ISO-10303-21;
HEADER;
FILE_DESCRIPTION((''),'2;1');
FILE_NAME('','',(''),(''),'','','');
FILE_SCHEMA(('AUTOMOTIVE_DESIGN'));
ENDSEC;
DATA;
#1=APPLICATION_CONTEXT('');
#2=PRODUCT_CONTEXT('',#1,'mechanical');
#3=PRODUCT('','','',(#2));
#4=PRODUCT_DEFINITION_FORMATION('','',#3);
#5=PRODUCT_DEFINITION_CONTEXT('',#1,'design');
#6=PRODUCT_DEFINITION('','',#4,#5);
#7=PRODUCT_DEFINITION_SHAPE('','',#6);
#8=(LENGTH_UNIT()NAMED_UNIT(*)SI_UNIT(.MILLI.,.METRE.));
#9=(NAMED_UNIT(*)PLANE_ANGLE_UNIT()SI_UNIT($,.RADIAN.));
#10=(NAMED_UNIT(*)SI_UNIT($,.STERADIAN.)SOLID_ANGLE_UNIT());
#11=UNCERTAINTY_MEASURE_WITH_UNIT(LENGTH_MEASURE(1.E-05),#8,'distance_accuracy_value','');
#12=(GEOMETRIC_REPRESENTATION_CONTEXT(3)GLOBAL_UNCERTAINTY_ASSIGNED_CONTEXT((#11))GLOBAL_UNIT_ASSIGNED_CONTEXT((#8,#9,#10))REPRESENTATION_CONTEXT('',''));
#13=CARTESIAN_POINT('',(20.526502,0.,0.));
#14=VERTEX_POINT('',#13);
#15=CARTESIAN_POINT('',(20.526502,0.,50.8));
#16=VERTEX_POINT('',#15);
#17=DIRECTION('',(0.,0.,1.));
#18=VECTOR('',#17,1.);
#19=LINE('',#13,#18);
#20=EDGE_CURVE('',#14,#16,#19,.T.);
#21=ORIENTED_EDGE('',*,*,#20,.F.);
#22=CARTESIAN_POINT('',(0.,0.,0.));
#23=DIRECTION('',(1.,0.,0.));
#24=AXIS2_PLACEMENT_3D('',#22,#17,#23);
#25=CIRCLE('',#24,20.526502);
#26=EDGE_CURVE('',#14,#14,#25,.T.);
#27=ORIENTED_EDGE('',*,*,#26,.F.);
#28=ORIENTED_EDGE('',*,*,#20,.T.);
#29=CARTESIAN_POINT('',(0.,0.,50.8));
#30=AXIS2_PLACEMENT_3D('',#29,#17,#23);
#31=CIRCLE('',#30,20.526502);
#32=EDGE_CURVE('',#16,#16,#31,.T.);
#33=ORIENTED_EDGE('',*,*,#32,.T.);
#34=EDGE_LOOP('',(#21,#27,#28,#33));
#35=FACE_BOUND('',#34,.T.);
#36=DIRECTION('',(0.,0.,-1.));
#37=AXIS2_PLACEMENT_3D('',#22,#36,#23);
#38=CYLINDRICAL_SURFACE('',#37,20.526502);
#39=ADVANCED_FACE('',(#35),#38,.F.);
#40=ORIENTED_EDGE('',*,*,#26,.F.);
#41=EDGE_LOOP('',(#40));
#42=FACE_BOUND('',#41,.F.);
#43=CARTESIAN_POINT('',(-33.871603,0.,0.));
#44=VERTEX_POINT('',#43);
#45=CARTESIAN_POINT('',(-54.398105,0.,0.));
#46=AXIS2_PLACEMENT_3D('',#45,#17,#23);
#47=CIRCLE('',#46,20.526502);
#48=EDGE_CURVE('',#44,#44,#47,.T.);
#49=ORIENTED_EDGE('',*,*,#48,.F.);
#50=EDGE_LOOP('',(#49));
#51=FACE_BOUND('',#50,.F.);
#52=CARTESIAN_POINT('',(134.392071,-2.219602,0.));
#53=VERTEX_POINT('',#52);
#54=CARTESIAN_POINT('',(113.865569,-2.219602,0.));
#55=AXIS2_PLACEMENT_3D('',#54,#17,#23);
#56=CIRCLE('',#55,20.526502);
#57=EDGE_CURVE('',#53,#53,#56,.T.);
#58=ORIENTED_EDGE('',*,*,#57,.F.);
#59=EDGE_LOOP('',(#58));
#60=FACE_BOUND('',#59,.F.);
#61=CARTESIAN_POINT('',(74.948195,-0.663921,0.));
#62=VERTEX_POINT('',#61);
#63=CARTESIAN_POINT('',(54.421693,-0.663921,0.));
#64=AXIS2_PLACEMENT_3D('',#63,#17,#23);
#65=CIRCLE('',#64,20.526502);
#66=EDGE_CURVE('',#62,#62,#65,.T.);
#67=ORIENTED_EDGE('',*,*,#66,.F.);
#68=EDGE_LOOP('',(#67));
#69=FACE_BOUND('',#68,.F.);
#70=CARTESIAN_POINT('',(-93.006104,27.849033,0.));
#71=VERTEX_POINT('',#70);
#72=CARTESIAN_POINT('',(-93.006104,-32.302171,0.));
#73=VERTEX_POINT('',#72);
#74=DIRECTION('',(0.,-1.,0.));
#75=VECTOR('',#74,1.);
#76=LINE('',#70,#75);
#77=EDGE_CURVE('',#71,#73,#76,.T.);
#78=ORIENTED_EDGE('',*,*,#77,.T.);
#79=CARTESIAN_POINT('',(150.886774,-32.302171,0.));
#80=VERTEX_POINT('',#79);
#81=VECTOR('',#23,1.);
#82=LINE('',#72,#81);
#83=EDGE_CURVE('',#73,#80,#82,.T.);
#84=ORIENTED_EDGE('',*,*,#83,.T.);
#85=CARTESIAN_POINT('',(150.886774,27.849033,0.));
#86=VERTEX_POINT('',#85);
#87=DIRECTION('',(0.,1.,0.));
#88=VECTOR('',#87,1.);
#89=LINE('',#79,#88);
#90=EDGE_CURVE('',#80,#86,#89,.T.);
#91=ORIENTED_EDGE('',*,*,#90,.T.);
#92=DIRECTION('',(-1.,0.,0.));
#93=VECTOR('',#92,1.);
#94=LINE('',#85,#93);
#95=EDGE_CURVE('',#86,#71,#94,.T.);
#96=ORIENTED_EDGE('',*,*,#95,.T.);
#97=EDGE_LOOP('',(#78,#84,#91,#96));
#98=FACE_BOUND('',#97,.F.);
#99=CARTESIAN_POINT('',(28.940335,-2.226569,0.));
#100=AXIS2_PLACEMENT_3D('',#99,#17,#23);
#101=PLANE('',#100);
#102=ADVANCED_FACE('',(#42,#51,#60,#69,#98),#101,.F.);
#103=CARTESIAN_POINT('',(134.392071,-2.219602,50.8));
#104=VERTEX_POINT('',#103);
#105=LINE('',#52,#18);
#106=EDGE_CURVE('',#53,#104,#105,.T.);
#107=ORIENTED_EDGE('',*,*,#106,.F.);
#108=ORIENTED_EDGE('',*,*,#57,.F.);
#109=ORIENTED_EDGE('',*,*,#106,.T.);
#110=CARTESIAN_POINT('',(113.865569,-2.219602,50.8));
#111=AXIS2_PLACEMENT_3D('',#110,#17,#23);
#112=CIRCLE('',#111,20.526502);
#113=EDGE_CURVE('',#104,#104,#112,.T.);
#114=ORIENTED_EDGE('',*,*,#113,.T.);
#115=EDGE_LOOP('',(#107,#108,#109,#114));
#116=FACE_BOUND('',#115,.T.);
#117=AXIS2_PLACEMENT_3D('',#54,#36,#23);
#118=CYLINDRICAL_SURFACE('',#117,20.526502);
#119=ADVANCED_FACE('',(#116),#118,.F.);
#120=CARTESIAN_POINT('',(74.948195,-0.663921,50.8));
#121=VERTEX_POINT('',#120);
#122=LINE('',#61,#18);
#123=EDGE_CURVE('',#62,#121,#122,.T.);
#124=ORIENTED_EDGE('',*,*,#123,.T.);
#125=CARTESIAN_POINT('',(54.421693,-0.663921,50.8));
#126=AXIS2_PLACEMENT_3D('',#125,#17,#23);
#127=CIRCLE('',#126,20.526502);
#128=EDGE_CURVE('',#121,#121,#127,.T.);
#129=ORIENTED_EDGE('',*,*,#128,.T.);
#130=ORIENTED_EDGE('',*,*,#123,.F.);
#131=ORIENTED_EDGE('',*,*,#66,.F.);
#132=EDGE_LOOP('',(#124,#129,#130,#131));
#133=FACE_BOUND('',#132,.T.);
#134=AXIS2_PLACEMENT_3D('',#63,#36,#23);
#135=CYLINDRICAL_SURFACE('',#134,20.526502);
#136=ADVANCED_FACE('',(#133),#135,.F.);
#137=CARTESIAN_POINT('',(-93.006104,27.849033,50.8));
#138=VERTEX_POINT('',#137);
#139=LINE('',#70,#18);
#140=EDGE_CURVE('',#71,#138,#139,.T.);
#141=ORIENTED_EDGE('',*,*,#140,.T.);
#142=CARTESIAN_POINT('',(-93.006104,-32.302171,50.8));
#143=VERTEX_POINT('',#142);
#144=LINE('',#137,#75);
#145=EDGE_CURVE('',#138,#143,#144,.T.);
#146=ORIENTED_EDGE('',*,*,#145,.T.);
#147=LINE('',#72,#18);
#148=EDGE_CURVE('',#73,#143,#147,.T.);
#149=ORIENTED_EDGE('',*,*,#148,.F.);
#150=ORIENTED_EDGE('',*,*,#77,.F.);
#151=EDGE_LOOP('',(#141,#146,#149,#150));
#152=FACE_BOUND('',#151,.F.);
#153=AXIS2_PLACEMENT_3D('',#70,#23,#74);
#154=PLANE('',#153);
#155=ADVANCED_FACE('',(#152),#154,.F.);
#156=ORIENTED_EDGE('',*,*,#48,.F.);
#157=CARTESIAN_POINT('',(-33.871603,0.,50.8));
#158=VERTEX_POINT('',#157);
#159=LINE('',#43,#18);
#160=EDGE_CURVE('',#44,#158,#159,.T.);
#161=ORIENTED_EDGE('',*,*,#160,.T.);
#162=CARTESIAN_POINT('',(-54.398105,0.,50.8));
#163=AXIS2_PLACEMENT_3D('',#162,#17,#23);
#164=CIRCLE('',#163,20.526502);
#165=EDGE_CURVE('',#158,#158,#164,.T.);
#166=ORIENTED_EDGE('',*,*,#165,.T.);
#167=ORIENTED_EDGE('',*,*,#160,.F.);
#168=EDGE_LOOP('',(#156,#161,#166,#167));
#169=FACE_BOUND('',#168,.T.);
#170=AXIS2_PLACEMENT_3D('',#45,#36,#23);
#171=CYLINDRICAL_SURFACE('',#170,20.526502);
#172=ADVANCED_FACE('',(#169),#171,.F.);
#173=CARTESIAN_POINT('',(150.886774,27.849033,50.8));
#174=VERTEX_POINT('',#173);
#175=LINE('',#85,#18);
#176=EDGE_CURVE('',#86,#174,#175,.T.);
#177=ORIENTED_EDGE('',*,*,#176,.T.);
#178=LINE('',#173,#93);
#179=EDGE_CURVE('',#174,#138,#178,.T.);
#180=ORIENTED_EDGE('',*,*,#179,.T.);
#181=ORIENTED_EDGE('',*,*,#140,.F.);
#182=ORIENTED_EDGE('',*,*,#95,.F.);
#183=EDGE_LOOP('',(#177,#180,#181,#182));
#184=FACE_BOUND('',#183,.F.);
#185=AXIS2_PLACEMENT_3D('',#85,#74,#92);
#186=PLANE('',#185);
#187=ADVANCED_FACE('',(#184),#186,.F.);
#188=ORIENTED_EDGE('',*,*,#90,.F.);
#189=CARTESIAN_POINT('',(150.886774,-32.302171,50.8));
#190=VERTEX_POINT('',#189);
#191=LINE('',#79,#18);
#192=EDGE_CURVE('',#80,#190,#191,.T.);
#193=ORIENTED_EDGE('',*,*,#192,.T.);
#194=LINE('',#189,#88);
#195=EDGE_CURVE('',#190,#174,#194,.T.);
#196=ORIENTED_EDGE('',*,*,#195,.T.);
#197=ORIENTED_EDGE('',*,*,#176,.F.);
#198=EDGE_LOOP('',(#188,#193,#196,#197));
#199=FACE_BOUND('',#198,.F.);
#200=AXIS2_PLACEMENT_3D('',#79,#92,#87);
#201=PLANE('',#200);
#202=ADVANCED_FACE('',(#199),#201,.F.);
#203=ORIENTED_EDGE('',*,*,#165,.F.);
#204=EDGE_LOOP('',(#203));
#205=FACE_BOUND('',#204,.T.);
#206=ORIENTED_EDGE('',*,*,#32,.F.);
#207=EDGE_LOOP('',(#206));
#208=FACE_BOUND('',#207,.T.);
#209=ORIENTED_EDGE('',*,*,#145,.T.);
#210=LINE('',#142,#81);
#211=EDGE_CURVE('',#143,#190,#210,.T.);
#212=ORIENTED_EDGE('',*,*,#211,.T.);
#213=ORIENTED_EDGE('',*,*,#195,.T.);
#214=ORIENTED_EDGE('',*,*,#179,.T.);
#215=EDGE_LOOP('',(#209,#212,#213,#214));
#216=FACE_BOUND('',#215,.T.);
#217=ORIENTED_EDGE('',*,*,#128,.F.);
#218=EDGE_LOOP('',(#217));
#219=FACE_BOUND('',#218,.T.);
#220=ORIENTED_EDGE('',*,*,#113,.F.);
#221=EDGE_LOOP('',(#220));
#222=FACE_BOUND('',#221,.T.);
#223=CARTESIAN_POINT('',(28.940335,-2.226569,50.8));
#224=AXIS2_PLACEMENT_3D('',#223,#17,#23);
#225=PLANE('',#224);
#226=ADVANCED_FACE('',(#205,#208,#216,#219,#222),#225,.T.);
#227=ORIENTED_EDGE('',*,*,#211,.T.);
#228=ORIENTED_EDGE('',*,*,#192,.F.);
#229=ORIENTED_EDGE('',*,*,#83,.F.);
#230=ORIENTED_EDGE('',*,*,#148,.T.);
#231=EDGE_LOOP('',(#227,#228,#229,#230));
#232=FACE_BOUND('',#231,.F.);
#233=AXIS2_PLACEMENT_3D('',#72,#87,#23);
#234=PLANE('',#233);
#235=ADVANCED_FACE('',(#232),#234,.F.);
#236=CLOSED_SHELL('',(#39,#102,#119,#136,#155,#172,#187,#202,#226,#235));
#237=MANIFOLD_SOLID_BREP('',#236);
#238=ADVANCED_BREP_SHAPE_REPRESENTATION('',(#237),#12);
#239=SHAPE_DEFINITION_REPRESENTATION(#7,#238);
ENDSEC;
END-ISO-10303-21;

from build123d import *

# Parameters (mm, degrees)
F0_R     = 20.526502
F1_DEPTH = 50.8


with BuildPart() as f1:
    # F0 (on Top) → F1 (new body)
    with BuildSketch(Plane.XY):
        Polygon((150.886774, 27.849033), (-93.006104, 27.849033), (-93.006104, -32.302171), (150.886774, -32.302171), (150.886774, -2.226569), align=None)
        with Locations((-54.398105, 0)):
            Circle(F0_R, mode=Mode.SUBTRACT)
        Circle(F0_R, mode=Mode.SUBTRACT)
        with Locations((54.421693, -0.663921)):
            Circle(F0_R, mode=Mode.SUBTRACT)
        with Locations((113.865569, -2.219602)):
            Circle(F0_R, mode=Mode.SUBTRACT)
    extrude(amount=F1_DEPTH)


solid = f1.part
